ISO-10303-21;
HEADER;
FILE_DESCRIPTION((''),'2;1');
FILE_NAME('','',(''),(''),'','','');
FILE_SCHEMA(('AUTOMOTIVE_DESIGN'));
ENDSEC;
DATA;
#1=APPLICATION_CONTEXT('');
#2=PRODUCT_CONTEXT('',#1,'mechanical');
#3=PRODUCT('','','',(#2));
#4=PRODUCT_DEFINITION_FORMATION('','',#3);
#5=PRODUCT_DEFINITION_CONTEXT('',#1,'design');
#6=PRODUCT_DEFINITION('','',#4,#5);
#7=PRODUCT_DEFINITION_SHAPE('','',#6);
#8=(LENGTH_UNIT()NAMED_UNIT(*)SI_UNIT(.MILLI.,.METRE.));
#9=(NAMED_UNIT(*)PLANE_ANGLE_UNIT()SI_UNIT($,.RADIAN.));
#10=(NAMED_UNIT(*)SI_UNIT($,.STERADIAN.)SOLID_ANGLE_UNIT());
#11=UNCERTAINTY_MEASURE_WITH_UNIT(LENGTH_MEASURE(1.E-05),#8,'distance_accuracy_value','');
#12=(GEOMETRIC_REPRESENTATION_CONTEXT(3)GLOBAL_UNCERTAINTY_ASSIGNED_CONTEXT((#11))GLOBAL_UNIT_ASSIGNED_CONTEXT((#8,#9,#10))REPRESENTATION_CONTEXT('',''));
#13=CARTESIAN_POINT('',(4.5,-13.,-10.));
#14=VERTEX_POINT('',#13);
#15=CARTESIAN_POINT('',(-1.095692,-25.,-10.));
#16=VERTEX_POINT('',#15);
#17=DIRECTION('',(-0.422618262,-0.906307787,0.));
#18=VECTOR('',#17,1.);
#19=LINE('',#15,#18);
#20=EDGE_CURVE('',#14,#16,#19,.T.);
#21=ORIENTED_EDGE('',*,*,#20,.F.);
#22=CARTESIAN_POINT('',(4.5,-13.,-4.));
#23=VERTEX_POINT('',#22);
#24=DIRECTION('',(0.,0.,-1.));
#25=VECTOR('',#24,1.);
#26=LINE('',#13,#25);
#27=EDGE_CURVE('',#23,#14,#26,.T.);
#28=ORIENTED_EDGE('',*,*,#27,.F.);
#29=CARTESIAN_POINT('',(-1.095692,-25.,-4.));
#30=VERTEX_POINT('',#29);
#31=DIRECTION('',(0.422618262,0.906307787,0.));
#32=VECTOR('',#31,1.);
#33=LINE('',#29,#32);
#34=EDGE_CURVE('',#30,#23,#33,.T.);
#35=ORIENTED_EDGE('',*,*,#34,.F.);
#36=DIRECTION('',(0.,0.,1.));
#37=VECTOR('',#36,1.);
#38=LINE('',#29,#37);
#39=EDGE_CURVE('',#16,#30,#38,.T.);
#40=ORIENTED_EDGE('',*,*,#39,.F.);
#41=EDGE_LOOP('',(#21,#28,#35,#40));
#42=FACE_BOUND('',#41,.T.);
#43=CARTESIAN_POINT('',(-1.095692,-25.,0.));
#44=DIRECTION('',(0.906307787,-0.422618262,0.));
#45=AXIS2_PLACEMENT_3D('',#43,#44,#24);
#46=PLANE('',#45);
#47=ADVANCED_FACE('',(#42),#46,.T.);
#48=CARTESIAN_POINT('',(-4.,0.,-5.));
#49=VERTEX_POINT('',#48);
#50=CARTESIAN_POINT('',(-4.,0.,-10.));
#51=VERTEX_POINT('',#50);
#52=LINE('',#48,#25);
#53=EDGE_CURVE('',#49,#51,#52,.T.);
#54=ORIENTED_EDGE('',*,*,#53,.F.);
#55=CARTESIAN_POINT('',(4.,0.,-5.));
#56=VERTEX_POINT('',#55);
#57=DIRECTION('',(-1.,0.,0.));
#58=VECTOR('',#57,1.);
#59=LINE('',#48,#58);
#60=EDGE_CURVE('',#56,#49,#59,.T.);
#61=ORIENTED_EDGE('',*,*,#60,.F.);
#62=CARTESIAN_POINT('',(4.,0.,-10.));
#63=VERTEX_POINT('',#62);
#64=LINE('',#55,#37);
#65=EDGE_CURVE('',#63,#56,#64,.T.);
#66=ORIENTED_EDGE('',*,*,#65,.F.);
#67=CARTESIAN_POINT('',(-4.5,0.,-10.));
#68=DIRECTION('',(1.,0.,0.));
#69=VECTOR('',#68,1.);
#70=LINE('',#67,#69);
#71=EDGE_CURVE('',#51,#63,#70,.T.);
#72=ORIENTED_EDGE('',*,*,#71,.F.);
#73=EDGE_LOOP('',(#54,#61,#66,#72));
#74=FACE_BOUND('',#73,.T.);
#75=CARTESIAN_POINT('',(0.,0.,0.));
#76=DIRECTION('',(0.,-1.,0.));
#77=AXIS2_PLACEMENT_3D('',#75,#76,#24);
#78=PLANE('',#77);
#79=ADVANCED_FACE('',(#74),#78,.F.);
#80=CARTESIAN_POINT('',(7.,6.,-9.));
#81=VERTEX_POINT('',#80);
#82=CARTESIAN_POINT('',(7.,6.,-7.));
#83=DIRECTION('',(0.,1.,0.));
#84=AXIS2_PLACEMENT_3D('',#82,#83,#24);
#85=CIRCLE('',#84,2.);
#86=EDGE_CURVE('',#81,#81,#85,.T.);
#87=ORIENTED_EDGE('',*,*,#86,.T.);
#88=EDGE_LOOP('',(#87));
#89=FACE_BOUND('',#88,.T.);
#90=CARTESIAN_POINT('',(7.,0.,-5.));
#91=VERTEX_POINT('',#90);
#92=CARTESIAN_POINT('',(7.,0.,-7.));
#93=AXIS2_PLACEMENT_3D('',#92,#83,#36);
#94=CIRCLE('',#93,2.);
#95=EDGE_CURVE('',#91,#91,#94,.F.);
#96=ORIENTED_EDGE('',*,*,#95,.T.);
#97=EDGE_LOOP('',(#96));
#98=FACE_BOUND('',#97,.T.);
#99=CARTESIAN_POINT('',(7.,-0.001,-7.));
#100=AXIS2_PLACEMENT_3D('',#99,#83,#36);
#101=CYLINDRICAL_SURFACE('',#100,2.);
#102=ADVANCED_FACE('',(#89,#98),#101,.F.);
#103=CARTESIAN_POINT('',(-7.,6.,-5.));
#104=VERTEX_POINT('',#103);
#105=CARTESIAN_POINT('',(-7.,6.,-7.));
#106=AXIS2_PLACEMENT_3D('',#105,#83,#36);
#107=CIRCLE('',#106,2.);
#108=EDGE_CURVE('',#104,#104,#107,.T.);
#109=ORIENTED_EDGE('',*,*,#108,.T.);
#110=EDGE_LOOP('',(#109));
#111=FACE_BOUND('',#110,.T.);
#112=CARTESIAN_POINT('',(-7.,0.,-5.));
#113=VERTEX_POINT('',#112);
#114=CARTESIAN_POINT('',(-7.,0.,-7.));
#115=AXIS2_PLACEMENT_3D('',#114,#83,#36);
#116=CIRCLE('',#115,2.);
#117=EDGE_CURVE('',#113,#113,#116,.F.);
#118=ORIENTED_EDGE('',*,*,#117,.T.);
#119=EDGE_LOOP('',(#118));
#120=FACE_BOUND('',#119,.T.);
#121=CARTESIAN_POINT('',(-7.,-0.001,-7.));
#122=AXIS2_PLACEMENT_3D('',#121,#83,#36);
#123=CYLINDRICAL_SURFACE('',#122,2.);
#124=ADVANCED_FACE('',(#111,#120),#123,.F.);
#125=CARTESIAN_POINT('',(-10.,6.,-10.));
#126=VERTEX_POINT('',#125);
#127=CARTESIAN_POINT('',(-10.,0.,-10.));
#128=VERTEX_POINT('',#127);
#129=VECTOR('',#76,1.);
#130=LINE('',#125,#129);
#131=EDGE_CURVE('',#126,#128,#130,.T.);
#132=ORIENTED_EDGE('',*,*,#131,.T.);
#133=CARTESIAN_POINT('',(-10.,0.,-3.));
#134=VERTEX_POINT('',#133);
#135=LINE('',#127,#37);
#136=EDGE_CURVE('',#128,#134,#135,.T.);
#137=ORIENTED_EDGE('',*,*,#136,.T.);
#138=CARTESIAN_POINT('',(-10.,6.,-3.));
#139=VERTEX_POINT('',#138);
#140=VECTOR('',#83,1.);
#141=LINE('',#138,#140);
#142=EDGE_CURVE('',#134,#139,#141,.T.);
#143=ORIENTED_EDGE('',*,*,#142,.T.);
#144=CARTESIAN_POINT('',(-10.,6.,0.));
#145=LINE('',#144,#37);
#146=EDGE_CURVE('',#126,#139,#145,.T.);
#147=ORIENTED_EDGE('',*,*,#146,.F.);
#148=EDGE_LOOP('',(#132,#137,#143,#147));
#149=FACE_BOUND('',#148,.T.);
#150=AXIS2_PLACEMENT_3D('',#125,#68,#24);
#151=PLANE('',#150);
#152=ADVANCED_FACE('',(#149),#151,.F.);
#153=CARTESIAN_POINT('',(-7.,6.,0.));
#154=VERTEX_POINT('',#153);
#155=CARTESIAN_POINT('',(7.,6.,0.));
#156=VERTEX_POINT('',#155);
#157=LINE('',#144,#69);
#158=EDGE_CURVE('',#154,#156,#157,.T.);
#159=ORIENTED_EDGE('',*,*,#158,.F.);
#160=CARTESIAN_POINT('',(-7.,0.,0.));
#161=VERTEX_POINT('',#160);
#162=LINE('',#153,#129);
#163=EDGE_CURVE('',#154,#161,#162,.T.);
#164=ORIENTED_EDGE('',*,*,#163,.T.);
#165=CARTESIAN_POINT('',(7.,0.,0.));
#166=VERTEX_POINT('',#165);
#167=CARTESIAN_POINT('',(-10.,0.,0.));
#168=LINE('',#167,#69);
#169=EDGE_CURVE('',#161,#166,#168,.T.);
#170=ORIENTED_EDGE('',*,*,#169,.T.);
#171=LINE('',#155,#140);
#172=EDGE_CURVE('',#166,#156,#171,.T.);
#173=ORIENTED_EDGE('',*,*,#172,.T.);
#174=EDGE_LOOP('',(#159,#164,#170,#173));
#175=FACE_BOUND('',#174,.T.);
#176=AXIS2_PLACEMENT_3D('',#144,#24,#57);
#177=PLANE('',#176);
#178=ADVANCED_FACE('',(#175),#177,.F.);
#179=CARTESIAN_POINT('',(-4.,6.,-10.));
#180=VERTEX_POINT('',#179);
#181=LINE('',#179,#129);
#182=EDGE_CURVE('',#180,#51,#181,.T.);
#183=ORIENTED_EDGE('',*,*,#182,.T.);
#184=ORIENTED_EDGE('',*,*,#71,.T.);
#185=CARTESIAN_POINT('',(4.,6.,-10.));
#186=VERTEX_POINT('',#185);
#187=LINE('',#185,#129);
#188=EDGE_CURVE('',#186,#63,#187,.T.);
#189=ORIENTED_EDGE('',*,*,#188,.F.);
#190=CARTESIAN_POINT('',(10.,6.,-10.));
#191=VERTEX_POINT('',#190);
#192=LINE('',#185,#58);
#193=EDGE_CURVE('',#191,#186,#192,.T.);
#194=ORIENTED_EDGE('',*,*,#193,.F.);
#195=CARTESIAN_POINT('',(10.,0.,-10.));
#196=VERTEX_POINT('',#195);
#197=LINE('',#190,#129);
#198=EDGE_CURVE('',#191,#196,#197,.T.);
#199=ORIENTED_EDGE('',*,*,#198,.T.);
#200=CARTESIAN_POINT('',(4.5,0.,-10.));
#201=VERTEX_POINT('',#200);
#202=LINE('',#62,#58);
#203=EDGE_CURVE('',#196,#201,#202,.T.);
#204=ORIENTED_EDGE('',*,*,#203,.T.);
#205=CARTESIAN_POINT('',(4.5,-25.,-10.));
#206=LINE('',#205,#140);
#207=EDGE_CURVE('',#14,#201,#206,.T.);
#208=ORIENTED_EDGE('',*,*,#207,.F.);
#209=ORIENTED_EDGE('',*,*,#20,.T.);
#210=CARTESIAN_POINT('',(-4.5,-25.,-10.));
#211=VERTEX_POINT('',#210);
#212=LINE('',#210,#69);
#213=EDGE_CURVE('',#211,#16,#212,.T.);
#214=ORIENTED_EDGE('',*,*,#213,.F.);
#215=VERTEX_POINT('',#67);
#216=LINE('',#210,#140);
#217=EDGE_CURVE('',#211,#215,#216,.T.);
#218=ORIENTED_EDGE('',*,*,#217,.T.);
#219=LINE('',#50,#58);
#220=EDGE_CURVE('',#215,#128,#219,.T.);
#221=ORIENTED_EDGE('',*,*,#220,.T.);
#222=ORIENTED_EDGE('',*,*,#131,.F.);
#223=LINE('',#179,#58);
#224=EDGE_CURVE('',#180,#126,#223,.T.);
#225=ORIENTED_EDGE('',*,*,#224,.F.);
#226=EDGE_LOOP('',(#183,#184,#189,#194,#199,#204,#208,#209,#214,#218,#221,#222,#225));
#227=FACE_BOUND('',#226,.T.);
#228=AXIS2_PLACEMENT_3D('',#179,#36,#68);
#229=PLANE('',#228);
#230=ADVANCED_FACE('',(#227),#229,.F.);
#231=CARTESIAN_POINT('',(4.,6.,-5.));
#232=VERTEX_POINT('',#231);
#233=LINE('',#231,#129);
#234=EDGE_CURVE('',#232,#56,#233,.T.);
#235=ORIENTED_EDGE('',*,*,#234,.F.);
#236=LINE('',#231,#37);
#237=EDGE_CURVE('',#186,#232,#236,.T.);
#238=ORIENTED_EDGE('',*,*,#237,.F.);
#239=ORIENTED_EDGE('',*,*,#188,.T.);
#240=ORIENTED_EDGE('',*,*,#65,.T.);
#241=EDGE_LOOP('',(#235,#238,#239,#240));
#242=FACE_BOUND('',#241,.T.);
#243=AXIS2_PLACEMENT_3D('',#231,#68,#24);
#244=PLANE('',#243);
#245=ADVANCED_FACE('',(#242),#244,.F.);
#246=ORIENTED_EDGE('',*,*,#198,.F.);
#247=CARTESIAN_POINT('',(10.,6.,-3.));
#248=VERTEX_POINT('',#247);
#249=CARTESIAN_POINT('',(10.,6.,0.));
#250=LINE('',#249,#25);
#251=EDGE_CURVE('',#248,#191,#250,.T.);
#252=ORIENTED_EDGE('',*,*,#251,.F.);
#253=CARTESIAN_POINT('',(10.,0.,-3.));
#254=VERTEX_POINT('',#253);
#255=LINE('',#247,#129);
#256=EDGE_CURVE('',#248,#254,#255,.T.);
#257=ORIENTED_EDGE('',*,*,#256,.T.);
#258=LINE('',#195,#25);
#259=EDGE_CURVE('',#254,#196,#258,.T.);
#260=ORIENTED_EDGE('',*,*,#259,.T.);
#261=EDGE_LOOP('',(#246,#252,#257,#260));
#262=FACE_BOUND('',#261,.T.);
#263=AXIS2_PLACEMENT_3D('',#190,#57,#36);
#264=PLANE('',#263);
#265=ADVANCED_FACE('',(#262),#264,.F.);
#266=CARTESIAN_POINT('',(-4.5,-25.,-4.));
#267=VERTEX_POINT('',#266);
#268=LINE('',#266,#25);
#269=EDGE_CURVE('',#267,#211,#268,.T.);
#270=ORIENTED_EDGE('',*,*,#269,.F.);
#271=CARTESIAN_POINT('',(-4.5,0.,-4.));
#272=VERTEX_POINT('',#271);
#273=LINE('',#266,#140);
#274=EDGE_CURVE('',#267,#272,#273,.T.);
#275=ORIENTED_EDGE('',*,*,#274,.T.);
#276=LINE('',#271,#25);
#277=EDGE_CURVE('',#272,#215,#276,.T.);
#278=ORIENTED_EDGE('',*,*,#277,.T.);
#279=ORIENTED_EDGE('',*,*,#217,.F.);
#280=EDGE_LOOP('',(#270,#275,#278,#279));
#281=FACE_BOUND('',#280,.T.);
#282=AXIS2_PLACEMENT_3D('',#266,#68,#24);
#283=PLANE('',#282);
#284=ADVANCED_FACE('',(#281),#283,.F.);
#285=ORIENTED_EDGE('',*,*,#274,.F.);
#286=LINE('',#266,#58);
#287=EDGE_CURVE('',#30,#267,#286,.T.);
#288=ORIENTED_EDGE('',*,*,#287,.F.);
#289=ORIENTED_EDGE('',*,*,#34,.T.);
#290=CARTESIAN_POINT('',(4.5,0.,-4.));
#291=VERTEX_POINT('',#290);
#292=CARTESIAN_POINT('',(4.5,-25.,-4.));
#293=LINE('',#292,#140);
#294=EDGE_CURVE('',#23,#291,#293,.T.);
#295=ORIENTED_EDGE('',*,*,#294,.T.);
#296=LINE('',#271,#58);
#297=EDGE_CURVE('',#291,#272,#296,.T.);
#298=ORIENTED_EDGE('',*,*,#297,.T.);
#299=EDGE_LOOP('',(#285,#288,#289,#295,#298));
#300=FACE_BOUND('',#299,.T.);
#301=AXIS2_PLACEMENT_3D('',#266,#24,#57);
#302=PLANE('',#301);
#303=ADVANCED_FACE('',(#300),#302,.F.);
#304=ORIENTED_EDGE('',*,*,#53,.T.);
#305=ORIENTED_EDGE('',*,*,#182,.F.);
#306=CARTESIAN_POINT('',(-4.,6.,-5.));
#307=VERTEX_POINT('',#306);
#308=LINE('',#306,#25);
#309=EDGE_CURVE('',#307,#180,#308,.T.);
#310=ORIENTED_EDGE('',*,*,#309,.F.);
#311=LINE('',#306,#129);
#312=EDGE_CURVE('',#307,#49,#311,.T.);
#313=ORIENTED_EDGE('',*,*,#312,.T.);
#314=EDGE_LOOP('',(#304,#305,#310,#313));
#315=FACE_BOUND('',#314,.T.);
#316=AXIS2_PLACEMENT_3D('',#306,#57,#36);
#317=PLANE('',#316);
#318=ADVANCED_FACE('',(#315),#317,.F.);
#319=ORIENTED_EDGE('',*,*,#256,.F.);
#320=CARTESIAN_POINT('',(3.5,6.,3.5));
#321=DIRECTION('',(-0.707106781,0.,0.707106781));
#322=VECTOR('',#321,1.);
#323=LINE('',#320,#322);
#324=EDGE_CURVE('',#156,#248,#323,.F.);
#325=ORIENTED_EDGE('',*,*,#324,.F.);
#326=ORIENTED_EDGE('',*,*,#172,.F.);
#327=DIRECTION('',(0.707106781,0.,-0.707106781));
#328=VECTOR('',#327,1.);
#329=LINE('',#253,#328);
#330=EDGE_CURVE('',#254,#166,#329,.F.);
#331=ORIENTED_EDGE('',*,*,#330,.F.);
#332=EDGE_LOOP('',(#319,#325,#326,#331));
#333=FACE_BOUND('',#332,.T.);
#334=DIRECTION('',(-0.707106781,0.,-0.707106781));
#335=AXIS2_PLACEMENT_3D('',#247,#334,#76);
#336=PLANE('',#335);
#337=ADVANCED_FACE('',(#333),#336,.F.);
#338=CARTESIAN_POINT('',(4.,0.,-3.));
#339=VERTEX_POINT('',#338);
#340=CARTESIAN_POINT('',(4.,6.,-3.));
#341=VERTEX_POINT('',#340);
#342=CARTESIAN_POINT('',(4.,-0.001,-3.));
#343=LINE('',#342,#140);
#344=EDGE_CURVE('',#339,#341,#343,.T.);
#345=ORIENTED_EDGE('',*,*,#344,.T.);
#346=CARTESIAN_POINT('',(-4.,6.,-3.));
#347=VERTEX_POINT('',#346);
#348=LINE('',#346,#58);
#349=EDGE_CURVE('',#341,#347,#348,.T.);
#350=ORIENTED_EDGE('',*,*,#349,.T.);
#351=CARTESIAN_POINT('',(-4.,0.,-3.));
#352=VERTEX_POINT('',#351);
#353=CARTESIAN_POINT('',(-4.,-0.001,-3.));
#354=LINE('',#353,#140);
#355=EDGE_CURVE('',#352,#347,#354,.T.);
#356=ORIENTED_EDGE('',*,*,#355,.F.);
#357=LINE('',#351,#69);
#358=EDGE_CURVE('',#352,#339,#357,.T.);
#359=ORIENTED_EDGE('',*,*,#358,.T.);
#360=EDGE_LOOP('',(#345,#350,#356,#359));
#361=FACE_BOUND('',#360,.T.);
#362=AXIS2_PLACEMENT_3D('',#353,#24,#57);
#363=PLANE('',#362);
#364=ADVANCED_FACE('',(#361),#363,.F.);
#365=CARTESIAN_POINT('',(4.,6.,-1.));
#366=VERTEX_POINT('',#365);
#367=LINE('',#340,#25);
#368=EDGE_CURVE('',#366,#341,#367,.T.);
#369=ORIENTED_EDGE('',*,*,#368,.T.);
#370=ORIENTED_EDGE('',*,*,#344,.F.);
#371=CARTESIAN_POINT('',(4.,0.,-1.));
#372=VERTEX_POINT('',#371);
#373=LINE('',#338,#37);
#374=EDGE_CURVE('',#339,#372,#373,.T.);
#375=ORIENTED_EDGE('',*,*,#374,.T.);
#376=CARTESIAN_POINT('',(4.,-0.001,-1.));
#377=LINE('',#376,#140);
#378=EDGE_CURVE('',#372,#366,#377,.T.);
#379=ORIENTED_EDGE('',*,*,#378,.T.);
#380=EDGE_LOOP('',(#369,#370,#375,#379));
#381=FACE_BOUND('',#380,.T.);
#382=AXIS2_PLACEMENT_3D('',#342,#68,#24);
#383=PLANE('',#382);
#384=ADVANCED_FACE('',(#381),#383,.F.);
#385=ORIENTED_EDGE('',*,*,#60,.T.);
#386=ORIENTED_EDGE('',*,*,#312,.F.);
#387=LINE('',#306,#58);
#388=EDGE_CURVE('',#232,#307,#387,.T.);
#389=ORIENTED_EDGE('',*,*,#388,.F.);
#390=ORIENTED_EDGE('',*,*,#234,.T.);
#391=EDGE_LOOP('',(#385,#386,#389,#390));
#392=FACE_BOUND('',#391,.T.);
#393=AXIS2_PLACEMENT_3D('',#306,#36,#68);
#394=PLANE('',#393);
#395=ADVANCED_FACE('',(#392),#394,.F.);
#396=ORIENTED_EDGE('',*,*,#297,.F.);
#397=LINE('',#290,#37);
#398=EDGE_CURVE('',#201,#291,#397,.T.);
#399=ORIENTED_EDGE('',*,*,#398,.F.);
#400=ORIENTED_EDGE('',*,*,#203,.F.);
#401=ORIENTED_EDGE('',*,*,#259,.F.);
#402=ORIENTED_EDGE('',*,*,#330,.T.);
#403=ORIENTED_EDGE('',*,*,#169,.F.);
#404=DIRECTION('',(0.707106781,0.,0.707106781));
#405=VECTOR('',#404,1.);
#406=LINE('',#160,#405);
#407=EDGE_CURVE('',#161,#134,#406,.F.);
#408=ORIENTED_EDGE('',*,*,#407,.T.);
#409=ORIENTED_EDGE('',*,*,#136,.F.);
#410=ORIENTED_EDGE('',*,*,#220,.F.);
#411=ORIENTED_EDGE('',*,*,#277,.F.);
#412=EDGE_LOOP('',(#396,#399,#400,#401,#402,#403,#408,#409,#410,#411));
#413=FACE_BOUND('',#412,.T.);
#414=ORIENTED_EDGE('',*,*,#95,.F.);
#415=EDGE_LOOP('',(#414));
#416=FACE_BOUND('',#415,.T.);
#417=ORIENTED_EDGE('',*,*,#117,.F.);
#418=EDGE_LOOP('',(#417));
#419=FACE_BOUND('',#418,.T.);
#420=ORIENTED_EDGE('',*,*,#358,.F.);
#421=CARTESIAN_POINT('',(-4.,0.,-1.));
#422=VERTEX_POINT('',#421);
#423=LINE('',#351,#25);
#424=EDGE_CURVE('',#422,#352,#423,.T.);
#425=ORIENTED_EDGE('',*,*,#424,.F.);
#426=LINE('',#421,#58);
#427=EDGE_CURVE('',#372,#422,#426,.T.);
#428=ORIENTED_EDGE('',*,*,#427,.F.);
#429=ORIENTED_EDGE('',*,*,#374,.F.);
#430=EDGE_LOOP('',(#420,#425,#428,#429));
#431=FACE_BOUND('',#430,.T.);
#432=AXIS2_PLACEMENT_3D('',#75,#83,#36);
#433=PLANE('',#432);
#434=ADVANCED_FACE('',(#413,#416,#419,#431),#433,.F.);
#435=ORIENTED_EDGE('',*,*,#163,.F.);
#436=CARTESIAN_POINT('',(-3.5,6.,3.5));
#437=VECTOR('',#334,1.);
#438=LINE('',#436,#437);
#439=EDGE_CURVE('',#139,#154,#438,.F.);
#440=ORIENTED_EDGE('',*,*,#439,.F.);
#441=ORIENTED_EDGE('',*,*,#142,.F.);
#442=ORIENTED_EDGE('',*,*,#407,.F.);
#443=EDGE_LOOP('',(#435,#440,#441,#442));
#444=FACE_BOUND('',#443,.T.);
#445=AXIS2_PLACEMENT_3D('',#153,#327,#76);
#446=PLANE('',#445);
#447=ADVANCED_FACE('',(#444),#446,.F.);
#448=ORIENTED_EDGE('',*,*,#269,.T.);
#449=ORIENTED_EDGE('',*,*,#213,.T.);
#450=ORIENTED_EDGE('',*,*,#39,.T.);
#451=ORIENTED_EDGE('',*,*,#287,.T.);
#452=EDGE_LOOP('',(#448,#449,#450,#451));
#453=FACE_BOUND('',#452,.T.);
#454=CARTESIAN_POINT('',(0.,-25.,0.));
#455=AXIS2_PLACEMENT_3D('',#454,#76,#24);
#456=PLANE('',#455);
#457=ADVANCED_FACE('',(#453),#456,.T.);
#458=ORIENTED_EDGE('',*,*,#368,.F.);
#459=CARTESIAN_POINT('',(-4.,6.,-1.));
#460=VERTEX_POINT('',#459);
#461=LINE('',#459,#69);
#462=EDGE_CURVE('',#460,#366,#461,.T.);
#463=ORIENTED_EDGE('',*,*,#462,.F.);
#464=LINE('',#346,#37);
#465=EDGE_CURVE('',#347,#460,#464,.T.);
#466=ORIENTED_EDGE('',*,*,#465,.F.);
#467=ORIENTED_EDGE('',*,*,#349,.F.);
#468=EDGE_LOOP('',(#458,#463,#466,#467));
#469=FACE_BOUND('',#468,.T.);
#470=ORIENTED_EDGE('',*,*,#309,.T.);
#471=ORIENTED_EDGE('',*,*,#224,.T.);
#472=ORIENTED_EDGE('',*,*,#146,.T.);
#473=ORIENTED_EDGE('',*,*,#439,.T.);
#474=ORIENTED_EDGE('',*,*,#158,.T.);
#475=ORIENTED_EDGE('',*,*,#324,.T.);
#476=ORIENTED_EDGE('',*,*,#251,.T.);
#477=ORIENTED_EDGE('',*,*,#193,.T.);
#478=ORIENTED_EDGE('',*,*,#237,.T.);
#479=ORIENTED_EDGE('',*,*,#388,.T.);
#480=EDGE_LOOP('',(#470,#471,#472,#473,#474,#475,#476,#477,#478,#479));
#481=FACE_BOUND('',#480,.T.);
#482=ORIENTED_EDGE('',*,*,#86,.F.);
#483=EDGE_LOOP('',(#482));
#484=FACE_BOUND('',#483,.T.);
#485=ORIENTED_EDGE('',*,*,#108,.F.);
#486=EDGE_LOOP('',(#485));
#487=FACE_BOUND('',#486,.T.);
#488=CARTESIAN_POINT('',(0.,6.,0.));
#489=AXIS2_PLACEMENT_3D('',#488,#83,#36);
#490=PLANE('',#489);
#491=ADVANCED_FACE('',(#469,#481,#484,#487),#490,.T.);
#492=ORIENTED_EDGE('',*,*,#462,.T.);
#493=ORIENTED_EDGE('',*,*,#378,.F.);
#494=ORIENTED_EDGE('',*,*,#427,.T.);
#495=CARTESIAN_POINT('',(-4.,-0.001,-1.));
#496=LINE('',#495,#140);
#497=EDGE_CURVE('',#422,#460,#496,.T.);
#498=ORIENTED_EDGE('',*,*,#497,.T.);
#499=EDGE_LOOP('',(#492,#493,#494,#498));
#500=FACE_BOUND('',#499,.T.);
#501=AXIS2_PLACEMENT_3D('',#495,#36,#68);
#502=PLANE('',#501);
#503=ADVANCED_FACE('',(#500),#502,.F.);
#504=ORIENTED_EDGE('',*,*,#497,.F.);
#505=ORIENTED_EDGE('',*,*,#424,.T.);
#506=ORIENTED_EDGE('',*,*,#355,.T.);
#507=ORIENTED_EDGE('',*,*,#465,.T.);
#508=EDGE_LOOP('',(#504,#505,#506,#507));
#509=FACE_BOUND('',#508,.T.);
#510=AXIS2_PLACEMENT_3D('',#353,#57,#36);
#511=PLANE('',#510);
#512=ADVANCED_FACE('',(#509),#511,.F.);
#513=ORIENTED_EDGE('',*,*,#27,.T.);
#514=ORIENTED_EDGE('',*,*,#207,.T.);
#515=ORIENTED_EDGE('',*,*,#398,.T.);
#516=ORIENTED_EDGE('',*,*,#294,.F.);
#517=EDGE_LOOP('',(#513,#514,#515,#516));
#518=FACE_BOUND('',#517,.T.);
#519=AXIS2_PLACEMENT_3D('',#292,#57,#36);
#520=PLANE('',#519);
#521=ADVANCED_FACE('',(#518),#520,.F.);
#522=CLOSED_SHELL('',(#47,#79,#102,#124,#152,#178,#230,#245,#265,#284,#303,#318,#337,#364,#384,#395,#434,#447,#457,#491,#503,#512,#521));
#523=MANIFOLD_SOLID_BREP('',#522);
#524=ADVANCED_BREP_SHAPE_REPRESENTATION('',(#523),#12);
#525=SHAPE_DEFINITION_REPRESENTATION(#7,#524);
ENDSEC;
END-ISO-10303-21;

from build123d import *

# Parameters (mm, degrees)
EXTRUDE_1_DEPTH     = 6
CUT_EXTRUDE_3_REACH = 8
SKETCH_2_R          = 2
SKETCH_2_W          = 8
SKETCH_2_H          = 2
CHAMFER_1_SIZE      = 3
SKETCH_5_W          = 9
SKETCH_5_H          = 6
EXTRUDE_5_DEPTH     = 25
CHAMFER_3_SIZE      = 12
CHAMFER_3_SIZE2     = 5.595691898


with BuildPart() as part:
    # 草图1 → 凸台-拉伸1 (new body)
    with BuildSketch(Plane(origin=(0, 0, 0), x_dir=(1, 0, 0), z_dir=(0, 1, 0))):
        Polygon((-4, 5), (-4, 10), (-10, 10), (-10, 5), (-10, 0), (10, 0), (10, 5), (10, 10), (4, 10), (4, 5), align=None)
    extrude(amount=EXTRUDE_1_DEPTH)

    # 草图2 → 切除-拉伸3 (cut, up to next)
    with BuildSketch(Plane(origin=(0, 6, 0), x_dir=(1, 0, 0), z_dir=(0, 1, 0)), mode=Mode.PRIVATE) as cut_extrude_3_sk1:
        with Locations((-7, 7)):
            Circle(SKETCH_2_R)
    cut_extrude_3_tool1 = extrude(cut_extrude_3_sk1.sketch, amount=-CUT_EXTRUDE_3_REACH, mode=Mode.PRIVATE) & part.part
    add(cut_extrude_3_tool1.solids().sort_by_distance((-7, 6, -7))[0], mode=Mode.SUBTRACT)
    # 草图2 → 切除-拉伸3 (cut, up to next)
    with BuildSketch(Plane(origin=(0, 6, 0), x_dir=(1, 0, 0), z_dir=(0, 1, 0)), mode=Mode.PRIVATE) as cut_extrude_3_sk2:
        with Locations((7, 7)):
            Circle(SKETCH_2_R)
    cut_extrude_3_tool2 = extrude(cut_extrude_3_sk2.sketch, amount=-CUT_EXTRUDE_3_REACH, mode=Mode.PRIVATE) & part.part
    add(cut_extrude_3_tool2.solids().sort_by_distance((7, 6, -7))[0], mode=Mode.SUBTRACT)
    # 草图2 → 切除-拉伸3 (cut, up to next)
    with BuildSketch(Plane(origin=(0, 6, 0), x_dir=(1, 0, 0), z_dir=(0, 1, 0)), mode=Mode.PRIVATE) as cut_extrude_3_sk3:
        with Locations((0, 2)):
            Rectangle(SKETCH_2_W, SKETCH_2_H)
    cut_extrude_3_tool3 = extrude(cut_extrude_3_sk3.sketch, amount=-CUT_EXTRUDE_3_REACH, mode=Mode.PRIVATE) & part.part
    add(cut_extrude_3_tool3.solids().sort_by_distance((0, 6, -2))[0], mode=Mode.SUBTRACT)

    # 倒角1
    chamfer_1_edges = [part.edges().sort_by_distance(p)[0] for p in [
        (10, 3, 0),
        (-10, 3, 0),
    ]]
    chamfer(chamfer_1_edges, length=CHAMFER_1_SIZE)

    # 草图5 → 凸台-拉伸5 (add)
    with BuildSketch(Plane.XZ):
        with Locations((0, -7)):
            Rectangle(SKETCH_5_W, SKETCH_5_H)
    extrude(amount=EXTRUDE_5_DEPTH)

    # 倒角3
    chamfer_3_edges = [part.edges().sort_by_distance(p)[0] for p in [
        (4.5, -25, -7),
    ]]
    chamfer_3_side = [part.faces().sort_by_distance(p)[0] for p in [
        (4.5, -12.5, -7),
    ]]
    chamfer(chamfer_3_edges, length=CHAMFER_3_SIZE, length2=CHAMFER_3_SIZE2, reference=chamfer_3_side[0])


solid = part.part
